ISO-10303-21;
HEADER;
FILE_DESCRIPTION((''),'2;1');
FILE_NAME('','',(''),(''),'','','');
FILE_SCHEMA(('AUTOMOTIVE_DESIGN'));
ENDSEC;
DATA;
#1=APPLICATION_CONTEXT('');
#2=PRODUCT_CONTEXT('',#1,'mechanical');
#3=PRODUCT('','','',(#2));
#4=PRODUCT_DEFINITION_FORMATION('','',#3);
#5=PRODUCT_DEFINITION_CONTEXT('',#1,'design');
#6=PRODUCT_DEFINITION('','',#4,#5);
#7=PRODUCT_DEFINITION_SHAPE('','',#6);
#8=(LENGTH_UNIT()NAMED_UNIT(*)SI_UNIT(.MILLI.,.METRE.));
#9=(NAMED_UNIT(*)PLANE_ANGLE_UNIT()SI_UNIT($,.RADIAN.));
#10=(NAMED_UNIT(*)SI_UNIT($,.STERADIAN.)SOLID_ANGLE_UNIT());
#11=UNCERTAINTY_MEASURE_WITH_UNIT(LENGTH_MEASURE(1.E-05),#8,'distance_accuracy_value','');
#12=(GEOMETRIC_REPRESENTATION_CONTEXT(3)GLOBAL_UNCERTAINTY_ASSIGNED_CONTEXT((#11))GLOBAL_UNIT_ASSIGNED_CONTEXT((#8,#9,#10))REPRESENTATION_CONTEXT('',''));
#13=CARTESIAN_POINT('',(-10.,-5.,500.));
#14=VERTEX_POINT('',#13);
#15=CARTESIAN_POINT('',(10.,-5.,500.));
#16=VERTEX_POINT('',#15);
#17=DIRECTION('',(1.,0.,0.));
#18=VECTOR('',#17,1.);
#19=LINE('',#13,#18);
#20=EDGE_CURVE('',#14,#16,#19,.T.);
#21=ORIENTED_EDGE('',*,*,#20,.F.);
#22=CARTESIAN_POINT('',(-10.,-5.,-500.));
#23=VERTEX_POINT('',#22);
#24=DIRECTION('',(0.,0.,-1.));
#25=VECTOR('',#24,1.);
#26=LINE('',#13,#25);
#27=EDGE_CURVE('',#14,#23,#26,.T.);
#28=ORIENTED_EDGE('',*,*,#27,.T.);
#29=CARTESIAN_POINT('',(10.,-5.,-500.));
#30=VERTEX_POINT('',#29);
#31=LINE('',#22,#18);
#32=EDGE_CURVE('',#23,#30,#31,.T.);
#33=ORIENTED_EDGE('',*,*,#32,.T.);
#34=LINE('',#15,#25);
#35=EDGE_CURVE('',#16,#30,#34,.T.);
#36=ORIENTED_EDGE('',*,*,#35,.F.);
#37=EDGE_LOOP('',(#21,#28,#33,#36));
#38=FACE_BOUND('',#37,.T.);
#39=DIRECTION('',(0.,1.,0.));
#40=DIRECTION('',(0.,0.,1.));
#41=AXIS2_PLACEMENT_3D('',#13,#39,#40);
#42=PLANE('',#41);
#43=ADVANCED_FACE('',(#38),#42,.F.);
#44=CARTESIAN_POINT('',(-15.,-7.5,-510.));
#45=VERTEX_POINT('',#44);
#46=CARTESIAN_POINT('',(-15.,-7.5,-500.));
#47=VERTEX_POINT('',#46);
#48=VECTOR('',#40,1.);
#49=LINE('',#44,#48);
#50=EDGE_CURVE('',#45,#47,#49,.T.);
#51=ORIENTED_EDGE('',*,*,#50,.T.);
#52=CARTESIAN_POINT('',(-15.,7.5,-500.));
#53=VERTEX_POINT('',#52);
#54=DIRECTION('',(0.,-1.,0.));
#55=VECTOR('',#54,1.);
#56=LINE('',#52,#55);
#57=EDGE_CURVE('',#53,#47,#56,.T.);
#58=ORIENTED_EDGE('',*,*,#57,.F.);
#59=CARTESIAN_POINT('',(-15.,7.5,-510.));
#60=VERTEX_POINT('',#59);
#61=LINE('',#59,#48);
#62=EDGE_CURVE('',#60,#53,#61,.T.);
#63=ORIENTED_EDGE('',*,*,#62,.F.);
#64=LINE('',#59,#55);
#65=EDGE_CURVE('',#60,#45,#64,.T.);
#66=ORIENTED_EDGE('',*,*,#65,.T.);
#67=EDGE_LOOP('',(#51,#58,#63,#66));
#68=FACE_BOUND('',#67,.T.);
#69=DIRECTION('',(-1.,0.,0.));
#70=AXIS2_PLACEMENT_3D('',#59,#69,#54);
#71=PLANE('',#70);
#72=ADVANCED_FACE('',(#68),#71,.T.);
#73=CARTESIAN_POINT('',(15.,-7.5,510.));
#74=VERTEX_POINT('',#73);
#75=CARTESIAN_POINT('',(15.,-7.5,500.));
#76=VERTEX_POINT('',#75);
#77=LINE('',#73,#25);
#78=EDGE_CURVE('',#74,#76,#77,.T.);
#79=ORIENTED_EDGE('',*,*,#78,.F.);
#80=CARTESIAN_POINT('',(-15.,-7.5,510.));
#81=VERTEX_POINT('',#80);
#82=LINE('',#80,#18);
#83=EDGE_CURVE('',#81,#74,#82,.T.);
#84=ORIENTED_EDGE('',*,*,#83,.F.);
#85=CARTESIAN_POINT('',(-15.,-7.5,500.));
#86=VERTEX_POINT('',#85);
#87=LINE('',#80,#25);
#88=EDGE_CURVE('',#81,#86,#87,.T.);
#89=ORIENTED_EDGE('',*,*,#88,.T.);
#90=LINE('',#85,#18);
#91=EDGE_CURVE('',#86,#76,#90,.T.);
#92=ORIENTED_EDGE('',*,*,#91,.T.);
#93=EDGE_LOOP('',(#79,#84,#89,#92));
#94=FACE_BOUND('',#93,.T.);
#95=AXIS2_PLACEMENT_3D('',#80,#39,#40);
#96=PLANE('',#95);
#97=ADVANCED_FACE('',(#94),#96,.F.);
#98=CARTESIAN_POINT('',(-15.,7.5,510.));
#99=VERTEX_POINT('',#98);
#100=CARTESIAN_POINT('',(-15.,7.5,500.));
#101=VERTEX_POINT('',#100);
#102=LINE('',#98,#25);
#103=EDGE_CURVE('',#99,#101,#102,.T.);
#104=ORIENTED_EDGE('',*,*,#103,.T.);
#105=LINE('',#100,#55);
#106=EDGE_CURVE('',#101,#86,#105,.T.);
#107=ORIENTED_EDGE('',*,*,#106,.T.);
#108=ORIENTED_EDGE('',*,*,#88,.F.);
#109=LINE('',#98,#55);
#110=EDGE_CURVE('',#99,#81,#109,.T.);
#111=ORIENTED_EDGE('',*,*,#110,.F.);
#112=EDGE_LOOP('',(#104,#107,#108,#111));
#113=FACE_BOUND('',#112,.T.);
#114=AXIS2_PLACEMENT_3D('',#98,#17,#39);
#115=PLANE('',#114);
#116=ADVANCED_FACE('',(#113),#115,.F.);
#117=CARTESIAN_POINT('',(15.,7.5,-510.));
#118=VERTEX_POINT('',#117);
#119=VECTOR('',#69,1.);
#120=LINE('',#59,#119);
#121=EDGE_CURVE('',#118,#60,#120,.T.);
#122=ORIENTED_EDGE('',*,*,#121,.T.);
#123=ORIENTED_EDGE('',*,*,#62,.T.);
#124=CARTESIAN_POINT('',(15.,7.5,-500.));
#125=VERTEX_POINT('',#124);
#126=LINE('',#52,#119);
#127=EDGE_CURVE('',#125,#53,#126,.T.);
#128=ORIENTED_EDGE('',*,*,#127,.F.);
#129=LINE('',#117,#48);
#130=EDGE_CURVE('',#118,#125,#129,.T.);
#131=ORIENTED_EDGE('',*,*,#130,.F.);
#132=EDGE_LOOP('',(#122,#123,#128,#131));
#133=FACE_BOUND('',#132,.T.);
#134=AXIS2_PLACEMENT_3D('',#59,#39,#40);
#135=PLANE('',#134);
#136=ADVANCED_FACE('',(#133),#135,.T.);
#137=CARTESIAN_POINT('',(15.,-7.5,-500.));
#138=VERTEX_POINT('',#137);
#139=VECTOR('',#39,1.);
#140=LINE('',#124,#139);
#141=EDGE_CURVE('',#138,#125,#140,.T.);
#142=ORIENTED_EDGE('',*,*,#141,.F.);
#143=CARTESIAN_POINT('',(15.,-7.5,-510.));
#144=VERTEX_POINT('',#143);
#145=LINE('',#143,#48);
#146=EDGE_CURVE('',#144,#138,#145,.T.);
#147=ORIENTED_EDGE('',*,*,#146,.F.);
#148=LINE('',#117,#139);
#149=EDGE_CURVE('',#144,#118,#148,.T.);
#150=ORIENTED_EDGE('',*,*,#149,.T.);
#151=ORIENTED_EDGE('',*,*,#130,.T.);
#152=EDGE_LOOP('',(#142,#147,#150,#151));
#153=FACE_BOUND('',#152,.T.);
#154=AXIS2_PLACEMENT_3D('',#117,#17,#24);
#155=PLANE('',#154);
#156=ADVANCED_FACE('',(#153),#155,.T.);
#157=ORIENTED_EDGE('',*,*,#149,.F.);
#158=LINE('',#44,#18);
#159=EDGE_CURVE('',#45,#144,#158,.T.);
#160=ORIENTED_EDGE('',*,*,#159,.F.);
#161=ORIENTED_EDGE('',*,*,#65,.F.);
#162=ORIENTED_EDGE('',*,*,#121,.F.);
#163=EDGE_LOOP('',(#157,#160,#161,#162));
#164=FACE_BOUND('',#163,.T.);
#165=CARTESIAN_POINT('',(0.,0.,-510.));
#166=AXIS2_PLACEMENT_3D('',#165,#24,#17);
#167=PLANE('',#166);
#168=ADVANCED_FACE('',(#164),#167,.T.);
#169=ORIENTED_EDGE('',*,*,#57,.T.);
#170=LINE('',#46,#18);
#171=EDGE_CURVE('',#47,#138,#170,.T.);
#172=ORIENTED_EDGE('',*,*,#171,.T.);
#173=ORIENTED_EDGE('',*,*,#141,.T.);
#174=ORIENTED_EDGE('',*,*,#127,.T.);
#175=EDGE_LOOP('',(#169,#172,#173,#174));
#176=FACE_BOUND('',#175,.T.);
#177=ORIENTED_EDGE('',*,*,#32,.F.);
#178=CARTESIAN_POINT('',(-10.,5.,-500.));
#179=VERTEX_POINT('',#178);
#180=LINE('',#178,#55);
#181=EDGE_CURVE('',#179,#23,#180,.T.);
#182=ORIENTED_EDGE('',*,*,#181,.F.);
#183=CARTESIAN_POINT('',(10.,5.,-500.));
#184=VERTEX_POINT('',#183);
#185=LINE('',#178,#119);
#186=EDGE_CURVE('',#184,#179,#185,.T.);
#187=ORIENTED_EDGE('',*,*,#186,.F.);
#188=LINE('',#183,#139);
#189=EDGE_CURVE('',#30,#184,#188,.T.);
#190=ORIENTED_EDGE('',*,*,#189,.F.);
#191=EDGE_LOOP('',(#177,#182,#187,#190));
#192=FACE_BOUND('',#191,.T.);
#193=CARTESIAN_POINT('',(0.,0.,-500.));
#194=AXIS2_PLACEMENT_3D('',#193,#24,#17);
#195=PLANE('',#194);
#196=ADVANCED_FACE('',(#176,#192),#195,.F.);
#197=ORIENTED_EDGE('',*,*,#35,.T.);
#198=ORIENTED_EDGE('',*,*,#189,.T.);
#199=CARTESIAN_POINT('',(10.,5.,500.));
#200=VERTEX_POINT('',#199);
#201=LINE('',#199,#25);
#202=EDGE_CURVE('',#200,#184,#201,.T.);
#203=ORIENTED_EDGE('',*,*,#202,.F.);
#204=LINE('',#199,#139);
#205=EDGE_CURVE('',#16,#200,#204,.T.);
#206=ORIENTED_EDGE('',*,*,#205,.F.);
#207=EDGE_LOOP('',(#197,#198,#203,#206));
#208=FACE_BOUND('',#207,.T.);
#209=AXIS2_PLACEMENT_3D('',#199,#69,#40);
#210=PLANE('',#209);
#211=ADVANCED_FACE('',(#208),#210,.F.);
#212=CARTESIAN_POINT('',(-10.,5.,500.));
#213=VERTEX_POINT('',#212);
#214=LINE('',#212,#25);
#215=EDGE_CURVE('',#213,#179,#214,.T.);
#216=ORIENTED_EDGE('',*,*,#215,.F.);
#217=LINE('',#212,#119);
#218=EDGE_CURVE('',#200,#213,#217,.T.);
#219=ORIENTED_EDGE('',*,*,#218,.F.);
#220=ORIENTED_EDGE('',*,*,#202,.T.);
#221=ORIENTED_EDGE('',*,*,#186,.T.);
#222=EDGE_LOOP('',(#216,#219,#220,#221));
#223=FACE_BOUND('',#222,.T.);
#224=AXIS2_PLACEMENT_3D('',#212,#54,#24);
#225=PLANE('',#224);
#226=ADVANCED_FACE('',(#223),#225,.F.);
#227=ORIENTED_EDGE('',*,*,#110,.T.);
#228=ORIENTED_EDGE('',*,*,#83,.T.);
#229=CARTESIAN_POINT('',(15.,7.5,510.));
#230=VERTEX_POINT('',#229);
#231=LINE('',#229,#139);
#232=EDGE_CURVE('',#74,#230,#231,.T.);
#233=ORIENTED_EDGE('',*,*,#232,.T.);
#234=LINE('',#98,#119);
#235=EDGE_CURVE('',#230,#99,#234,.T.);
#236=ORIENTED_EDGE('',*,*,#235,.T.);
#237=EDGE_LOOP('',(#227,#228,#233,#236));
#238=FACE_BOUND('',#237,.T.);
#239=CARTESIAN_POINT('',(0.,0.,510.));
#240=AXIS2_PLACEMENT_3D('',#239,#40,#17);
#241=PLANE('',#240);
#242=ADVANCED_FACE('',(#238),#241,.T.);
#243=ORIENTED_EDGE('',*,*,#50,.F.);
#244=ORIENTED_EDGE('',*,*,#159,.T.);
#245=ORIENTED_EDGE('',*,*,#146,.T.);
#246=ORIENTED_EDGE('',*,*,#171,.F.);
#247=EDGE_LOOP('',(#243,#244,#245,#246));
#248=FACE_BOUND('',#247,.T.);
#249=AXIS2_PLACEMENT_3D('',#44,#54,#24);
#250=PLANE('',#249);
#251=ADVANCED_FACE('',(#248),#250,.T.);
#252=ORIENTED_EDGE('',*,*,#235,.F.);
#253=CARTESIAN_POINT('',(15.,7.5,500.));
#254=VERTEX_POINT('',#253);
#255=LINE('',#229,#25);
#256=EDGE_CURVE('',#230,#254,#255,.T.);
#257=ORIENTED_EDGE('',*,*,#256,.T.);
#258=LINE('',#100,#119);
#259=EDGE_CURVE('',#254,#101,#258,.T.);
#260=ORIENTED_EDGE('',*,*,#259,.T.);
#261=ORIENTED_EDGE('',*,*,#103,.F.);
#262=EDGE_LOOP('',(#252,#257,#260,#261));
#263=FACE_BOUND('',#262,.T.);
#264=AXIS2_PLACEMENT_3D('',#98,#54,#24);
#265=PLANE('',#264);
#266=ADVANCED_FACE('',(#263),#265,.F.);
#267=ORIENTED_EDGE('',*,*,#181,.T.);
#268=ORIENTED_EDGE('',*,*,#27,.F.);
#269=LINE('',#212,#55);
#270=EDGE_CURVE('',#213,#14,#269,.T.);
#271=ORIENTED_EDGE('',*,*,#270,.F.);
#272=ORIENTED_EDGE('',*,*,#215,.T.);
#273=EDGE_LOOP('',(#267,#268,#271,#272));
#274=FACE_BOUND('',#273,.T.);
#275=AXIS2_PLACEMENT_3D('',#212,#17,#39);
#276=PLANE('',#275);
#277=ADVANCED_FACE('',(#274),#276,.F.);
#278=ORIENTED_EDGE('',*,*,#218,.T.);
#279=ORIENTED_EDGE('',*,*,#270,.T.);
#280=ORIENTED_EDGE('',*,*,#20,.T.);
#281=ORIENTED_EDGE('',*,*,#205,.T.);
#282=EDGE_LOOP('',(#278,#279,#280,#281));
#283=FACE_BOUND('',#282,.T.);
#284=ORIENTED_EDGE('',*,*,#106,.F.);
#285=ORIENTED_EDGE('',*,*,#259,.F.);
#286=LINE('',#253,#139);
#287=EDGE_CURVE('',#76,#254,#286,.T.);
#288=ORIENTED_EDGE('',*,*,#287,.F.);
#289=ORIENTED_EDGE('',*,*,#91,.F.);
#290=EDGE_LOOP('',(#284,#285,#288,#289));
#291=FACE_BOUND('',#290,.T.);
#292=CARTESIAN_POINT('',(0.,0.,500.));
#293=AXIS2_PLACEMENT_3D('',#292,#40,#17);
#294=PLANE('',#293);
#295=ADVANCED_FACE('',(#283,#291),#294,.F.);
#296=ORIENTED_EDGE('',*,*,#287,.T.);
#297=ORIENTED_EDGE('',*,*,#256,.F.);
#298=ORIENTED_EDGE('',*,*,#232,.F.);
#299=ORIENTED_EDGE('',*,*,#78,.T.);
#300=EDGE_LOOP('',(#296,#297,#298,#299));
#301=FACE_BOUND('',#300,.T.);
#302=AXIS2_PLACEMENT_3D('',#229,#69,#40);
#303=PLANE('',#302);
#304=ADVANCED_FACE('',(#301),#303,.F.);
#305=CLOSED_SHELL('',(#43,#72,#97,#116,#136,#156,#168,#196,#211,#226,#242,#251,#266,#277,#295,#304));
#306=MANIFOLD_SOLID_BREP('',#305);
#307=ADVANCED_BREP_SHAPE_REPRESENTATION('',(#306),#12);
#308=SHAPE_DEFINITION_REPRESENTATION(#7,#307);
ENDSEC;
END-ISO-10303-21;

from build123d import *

# Parameters (mm, degrees)
ESQUISSE1_W        = 20
ESQUISSE1_H        = 10
BOSS_EXTRU_1_DEPTH = 500
ESQUISSE2_W        = 30
ESQUISSE2_H        = 15
BOSS_EXTRU_2_DEPTH = 10


with BuildPart() as part:
    # Esquisse1 → Boss.-Extru.1 (new body)
    with BuildSketch(Plane.XY):
        Rectangle(ESQUISSE1_W, ESQUISSE1_H)
    boss_extru_1 = extrude(amount=BOSS_EXTRU_1_DEPTH)

    # Esquisse2 → Boss.-Extru.2 (add)
    with BuildSketch(Plane.XY.offset(500)):
        Rectangle(ESQUISSE2_W, ESQUISSE2_H)
    boss_extru_2 = extrude(amount=BOSS_EXTRU_2_DEPTH)

    # Symétrie1: Boss.-Extru.1, Boss.-Extru.2 across plane
    add(boss_extru_1.mirror(Plane.XY))
    add(boss_extru_2.mirror(Plane.XY))


solid = part.part
